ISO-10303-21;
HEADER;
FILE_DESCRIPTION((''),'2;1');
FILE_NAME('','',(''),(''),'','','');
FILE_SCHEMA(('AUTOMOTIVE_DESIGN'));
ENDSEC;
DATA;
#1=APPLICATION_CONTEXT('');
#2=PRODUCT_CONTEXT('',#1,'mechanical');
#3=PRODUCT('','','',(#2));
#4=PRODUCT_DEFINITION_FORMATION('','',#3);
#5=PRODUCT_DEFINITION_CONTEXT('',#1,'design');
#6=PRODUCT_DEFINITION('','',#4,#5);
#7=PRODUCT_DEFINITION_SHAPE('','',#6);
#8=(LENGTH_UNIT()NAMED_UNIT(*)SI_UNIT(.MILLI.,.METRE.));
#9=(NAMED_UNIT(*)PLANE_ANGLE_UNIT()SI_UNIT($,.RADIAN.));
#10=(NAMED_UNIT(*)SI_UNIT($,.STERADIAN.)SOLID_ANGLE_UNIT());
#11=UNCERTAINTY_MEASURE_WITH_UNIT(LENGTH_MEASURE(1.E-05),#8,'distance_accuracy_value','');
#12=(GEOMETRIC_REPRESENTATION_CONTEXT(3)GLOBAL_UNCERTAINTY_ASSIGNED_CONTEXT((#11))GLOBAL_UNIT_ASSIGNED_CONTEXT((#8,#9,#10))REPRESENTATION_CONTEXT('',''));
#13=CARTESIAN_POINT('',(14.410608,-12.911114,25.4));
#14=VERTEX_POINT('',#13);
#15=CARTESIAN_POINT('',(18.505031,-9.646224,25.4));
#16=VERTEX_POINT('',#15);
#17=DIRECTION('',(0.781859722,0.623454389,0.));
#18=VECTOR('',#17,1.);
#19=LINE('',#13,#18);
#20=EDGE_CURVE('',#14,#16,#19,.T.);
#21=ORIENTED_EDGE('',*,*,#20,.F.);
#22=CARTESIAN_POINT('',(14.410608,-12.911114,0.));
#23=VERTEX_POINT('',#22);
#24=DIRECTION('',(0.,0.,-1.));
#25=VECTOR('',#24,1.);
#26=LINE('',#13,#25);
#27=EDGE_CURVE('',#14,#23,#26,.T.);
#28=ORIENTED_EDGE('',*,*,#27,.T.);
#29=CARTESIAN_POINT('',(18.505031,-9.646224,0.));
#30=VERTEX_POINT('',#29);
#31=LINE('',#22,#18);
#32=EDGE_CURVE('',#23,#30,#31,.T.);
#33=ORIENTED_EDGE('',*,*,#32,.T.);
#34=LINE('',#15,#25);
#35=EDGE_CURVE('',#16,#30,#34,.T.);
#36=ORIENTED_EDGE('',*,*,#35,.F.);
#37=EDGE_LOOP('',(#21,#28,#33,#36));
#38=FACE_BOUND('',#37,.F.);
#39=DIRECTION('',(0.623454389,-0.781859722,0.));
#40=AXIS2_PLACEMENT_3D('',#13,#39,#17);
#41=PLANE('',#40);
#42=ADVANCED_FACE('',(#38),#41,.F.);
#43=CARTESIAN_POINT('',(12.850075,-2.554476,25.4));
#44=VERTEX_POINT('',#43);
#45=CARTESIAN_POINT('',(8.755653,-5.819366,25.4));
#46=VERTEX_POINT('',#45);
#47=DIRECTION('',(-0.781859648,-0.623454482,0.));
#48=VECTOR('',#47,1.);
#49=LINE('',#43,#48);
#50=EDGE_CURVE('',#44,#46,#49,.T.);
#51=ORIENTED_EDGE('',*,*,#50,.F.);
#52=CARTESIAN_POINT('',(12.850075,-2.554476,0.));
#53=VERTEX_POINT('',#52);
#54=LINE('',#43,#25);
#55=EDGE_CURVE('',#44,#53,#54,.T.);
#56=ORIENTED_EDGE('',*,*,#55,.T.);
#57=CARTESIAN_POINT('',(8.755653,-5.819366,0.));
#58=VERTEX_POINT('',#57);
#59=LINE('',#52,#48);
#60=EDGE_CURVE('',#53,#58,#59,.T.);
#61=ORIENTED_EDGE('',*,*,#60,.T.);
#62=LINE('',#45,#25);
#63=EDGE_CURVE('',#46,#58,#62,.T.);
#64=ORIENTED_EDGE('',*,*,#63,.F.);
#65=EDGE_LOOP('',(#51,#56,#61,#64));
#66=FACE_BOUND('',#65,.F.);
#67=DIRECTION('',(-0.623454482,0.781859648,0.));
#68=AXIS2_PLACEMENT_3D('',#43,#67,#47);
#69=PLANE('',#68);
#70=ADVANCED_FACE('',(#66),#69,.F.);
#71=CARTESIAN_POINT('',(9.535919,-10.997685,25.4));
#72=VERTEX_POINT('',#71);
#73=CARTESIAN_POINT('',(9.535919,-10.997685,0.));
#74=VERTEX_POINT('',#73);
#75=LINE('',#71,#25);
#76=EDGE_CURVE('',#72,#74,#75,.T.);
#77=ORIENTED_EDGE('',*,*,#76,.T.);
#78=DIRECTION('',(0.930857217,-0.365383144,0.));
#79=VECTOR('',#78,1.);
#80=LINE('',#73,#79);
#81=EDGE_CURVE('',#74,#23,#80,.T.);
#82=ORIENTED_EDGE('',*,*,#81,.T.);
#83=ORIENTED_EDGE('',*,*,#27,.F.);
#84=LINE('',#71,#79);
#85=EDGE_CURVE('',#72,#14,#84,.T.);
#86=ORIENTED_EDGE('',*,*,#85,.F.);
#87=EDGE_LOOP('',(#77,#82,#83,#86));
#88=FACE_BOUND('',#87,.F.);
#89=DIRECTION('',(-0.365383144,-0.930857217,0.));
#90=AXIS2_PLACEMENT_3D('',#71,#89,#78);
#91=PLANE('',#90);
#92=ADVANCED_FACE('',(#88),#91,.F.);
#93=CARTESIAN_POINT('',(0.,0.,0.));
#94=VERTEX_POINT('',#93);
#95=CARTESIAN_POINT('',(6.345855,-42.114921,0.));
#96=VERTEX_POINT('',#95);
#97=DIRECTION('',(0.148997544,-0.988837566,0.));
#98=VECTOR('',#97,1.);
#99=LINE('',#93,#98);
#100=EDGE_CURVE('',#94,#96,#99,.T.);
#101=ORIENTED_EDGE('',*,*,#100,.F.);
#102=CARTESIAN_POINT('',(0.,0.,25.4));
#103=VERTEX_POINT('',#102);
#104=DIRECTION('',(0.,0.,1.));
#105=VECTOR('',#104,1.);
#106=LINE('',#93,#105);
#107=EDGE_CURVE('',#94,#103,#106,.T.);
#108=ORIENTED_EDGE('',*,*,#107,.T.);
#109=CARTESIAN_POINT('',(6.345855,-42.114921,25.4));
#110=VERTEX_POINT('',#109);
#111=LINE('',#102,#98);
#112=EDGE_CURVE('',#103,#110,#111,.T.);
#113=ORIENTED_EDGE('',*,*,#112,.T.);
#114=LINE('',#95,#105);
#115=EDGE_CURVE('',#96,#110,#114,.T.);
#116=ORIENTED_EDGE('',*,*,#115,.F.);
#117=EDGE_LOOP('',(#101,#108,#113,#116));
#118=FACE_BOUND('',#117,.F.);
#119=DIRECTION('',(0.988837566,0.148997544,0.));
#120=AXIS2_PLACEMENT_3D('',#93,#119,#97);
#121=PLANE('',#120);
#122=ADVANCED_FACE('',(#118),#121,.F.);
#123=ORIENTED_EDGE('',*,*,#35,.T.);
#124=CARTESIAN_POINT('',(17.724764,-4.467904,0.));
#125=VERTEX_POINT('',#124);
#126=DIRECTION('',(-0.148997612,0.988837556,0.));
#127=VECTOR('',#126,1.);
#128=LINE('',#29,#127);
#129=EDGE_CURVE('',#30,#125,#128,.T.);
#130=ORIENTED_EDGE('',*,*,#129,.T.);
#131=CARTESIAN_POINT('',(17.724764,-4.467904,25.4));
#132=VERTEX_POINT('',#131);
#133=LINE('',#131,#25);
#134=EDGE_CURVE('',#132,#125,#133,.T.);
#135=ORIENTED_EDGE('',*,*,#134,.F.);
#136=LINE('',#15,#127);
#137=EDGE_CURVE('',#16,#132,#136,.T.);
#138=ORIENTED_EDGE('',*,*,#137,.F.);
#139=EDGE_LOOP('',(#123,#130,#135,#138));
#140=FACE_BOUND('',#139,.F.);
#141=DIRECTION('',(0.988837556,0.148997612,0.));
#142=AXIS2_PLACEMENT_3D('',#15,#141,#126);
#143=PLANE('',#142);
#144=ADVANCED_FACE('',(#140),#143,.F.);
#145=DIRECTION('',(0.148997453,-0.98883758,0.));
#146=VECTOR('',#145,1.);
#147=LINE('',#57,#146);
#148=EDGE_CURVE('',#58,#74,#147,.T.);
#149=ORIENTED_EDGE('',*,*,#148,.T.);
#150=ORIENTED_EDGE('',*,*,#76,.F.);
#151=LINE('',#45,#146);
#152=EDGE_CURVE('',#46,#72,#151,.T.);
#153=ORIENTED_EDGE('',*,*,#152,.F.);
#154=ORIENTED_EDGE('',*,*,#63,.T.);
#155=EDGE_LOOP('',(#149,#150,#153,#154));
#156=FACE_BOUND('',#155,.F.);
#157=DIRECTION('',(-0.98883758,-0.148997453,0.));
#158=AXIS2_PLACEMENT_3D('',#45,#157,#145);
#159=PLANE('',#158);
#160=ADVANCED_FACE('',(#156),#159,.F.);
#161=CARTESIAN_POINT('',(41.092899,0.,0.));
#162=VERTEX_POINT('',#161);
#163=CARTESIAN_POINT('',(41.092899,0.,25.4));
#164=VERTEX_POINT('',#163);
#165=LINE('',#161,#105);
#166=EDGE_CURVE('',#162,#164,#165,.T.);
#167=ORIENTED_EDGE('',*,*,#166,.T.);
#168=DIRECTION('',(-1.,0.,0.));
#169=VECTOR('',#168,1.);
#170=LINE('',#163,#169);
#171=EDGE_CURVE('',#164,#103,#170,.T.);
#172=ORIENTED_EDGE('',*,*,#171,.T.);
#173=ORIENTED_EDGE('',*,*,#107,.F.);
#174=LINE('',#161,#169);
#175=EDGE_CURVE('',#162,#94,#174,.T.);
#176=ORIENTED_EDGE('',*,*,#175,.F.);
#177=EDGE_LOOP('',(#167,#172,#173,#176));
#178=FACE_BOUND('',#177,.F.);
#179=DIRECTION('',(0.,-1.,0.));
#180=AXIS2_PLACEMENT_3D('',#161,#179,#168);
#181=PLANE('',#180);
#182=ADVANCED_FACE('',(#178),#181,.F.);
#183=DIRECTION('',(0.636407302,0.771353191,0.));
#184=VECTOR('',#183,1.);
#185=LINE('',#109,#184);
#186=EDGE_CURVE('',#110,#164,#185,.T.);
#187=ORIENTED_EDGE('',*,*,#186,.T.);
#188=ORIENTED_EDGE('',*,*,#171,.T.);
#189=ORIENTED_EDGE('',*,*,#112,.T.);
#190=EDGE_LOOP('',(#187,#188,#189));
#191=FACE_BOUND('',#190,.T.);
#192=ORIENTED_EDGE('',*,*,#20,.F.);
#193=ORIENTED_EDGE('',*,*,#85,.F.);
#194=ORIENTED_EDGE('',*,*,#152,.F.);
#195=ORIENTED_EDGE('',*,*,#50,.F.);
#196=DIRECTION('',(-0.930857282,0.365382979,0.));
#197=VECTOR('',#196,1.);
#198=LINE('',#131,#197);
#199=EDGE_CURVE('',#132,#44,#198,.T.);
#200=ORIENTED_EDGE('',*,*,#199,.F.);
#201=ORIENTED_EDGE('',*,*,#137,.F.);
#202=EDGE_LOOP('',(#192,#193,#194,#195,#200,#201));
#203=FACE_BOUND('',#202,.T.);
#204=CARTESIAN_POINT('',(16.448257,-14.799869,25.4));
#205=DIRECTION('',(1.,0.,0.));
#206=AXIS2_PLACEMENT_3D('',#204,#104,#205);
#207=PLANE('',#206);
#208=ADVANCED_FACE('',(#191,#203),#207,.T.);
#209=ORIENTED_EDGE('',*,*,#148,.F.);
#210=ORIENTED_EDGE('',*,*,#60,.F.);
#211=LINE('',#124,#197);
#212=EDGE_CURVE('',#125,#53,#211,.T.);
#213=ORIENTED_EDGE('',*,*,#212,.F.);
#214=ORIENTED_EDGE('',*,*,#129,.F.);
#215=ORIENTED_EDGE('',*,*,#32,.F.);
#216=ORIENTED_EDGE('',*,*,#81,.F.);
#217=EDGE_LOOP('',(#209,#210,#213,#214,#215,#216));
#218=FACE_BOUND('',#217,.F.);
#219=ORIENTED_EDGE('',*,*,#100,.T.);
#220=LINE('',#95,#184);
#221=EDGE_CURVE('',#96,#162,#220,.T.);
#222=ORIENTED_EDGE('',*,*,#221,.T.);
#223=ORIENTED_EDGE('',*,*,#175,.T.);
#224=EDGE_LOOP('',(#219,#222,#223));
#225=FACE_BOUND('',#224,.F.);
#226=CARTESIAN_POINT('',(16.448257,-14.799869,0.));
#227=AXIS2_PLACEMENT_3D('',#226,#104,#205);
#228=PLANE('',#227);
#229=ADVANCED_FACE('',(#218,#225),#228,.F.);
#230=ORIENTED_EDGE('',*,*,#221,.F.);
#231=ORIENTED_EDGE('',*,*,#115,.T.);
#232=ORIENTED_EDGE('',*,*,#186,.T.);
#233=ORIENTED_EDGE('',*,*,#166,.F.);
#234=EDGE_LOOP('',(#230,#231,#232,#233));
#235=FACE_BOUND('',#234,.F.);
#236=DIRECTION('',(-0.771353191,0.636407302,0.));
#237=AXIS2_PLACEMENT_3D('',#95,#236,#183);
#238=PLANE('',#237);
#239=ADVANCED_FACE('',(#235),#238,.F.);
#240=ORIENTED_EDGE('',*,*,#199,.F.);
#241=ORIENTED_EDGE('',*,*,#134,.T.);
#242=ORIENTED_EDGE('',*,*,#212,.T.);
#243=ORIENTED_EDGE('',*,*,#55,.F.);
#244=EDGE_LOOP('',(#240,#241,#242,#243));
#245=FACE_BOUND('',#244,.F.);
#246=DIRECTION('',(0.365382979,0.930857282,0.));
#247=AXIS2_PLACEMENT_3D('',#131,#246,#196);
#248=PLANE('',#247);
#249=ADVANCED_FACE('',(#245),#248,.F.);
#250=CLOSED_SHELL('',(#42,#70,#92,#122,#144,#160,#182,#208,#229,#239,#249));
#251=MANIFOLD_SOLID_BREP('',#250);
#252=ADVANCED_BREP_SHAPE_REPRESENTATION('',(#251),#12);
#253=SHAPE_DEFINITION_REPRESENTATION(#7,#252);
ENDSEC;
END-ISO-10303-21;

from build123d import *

# Parameters (mm, degrees)
F1_DEPTH = 25.4
F3_DEPTH = 25.4


with BuildPart() as f1:
    # F0 (on Top) → F1 (new body)
    with BuildSketch(Plane.XY):
        Polygon((41.092899, 0), (0, 0), (6.345855, -42.114921), align=None)
    extrude(amount=F1_DEPTH)

    # F2 (on face) → F3 (cut)
    with BuildSketch(Plane.XY.offset(25.4)):
        Polygon((18.505031, -9.646224), (17.724764, -4.467904), (12.850075, -2.554476), (8.755653, -5.819366), (9.535919, -10.997685), (14.410608, -12.911114), align=None)
    extrude(amount=-F3_DEPTH, mode=Mode.SUBTRACT)


solid = f1.part
